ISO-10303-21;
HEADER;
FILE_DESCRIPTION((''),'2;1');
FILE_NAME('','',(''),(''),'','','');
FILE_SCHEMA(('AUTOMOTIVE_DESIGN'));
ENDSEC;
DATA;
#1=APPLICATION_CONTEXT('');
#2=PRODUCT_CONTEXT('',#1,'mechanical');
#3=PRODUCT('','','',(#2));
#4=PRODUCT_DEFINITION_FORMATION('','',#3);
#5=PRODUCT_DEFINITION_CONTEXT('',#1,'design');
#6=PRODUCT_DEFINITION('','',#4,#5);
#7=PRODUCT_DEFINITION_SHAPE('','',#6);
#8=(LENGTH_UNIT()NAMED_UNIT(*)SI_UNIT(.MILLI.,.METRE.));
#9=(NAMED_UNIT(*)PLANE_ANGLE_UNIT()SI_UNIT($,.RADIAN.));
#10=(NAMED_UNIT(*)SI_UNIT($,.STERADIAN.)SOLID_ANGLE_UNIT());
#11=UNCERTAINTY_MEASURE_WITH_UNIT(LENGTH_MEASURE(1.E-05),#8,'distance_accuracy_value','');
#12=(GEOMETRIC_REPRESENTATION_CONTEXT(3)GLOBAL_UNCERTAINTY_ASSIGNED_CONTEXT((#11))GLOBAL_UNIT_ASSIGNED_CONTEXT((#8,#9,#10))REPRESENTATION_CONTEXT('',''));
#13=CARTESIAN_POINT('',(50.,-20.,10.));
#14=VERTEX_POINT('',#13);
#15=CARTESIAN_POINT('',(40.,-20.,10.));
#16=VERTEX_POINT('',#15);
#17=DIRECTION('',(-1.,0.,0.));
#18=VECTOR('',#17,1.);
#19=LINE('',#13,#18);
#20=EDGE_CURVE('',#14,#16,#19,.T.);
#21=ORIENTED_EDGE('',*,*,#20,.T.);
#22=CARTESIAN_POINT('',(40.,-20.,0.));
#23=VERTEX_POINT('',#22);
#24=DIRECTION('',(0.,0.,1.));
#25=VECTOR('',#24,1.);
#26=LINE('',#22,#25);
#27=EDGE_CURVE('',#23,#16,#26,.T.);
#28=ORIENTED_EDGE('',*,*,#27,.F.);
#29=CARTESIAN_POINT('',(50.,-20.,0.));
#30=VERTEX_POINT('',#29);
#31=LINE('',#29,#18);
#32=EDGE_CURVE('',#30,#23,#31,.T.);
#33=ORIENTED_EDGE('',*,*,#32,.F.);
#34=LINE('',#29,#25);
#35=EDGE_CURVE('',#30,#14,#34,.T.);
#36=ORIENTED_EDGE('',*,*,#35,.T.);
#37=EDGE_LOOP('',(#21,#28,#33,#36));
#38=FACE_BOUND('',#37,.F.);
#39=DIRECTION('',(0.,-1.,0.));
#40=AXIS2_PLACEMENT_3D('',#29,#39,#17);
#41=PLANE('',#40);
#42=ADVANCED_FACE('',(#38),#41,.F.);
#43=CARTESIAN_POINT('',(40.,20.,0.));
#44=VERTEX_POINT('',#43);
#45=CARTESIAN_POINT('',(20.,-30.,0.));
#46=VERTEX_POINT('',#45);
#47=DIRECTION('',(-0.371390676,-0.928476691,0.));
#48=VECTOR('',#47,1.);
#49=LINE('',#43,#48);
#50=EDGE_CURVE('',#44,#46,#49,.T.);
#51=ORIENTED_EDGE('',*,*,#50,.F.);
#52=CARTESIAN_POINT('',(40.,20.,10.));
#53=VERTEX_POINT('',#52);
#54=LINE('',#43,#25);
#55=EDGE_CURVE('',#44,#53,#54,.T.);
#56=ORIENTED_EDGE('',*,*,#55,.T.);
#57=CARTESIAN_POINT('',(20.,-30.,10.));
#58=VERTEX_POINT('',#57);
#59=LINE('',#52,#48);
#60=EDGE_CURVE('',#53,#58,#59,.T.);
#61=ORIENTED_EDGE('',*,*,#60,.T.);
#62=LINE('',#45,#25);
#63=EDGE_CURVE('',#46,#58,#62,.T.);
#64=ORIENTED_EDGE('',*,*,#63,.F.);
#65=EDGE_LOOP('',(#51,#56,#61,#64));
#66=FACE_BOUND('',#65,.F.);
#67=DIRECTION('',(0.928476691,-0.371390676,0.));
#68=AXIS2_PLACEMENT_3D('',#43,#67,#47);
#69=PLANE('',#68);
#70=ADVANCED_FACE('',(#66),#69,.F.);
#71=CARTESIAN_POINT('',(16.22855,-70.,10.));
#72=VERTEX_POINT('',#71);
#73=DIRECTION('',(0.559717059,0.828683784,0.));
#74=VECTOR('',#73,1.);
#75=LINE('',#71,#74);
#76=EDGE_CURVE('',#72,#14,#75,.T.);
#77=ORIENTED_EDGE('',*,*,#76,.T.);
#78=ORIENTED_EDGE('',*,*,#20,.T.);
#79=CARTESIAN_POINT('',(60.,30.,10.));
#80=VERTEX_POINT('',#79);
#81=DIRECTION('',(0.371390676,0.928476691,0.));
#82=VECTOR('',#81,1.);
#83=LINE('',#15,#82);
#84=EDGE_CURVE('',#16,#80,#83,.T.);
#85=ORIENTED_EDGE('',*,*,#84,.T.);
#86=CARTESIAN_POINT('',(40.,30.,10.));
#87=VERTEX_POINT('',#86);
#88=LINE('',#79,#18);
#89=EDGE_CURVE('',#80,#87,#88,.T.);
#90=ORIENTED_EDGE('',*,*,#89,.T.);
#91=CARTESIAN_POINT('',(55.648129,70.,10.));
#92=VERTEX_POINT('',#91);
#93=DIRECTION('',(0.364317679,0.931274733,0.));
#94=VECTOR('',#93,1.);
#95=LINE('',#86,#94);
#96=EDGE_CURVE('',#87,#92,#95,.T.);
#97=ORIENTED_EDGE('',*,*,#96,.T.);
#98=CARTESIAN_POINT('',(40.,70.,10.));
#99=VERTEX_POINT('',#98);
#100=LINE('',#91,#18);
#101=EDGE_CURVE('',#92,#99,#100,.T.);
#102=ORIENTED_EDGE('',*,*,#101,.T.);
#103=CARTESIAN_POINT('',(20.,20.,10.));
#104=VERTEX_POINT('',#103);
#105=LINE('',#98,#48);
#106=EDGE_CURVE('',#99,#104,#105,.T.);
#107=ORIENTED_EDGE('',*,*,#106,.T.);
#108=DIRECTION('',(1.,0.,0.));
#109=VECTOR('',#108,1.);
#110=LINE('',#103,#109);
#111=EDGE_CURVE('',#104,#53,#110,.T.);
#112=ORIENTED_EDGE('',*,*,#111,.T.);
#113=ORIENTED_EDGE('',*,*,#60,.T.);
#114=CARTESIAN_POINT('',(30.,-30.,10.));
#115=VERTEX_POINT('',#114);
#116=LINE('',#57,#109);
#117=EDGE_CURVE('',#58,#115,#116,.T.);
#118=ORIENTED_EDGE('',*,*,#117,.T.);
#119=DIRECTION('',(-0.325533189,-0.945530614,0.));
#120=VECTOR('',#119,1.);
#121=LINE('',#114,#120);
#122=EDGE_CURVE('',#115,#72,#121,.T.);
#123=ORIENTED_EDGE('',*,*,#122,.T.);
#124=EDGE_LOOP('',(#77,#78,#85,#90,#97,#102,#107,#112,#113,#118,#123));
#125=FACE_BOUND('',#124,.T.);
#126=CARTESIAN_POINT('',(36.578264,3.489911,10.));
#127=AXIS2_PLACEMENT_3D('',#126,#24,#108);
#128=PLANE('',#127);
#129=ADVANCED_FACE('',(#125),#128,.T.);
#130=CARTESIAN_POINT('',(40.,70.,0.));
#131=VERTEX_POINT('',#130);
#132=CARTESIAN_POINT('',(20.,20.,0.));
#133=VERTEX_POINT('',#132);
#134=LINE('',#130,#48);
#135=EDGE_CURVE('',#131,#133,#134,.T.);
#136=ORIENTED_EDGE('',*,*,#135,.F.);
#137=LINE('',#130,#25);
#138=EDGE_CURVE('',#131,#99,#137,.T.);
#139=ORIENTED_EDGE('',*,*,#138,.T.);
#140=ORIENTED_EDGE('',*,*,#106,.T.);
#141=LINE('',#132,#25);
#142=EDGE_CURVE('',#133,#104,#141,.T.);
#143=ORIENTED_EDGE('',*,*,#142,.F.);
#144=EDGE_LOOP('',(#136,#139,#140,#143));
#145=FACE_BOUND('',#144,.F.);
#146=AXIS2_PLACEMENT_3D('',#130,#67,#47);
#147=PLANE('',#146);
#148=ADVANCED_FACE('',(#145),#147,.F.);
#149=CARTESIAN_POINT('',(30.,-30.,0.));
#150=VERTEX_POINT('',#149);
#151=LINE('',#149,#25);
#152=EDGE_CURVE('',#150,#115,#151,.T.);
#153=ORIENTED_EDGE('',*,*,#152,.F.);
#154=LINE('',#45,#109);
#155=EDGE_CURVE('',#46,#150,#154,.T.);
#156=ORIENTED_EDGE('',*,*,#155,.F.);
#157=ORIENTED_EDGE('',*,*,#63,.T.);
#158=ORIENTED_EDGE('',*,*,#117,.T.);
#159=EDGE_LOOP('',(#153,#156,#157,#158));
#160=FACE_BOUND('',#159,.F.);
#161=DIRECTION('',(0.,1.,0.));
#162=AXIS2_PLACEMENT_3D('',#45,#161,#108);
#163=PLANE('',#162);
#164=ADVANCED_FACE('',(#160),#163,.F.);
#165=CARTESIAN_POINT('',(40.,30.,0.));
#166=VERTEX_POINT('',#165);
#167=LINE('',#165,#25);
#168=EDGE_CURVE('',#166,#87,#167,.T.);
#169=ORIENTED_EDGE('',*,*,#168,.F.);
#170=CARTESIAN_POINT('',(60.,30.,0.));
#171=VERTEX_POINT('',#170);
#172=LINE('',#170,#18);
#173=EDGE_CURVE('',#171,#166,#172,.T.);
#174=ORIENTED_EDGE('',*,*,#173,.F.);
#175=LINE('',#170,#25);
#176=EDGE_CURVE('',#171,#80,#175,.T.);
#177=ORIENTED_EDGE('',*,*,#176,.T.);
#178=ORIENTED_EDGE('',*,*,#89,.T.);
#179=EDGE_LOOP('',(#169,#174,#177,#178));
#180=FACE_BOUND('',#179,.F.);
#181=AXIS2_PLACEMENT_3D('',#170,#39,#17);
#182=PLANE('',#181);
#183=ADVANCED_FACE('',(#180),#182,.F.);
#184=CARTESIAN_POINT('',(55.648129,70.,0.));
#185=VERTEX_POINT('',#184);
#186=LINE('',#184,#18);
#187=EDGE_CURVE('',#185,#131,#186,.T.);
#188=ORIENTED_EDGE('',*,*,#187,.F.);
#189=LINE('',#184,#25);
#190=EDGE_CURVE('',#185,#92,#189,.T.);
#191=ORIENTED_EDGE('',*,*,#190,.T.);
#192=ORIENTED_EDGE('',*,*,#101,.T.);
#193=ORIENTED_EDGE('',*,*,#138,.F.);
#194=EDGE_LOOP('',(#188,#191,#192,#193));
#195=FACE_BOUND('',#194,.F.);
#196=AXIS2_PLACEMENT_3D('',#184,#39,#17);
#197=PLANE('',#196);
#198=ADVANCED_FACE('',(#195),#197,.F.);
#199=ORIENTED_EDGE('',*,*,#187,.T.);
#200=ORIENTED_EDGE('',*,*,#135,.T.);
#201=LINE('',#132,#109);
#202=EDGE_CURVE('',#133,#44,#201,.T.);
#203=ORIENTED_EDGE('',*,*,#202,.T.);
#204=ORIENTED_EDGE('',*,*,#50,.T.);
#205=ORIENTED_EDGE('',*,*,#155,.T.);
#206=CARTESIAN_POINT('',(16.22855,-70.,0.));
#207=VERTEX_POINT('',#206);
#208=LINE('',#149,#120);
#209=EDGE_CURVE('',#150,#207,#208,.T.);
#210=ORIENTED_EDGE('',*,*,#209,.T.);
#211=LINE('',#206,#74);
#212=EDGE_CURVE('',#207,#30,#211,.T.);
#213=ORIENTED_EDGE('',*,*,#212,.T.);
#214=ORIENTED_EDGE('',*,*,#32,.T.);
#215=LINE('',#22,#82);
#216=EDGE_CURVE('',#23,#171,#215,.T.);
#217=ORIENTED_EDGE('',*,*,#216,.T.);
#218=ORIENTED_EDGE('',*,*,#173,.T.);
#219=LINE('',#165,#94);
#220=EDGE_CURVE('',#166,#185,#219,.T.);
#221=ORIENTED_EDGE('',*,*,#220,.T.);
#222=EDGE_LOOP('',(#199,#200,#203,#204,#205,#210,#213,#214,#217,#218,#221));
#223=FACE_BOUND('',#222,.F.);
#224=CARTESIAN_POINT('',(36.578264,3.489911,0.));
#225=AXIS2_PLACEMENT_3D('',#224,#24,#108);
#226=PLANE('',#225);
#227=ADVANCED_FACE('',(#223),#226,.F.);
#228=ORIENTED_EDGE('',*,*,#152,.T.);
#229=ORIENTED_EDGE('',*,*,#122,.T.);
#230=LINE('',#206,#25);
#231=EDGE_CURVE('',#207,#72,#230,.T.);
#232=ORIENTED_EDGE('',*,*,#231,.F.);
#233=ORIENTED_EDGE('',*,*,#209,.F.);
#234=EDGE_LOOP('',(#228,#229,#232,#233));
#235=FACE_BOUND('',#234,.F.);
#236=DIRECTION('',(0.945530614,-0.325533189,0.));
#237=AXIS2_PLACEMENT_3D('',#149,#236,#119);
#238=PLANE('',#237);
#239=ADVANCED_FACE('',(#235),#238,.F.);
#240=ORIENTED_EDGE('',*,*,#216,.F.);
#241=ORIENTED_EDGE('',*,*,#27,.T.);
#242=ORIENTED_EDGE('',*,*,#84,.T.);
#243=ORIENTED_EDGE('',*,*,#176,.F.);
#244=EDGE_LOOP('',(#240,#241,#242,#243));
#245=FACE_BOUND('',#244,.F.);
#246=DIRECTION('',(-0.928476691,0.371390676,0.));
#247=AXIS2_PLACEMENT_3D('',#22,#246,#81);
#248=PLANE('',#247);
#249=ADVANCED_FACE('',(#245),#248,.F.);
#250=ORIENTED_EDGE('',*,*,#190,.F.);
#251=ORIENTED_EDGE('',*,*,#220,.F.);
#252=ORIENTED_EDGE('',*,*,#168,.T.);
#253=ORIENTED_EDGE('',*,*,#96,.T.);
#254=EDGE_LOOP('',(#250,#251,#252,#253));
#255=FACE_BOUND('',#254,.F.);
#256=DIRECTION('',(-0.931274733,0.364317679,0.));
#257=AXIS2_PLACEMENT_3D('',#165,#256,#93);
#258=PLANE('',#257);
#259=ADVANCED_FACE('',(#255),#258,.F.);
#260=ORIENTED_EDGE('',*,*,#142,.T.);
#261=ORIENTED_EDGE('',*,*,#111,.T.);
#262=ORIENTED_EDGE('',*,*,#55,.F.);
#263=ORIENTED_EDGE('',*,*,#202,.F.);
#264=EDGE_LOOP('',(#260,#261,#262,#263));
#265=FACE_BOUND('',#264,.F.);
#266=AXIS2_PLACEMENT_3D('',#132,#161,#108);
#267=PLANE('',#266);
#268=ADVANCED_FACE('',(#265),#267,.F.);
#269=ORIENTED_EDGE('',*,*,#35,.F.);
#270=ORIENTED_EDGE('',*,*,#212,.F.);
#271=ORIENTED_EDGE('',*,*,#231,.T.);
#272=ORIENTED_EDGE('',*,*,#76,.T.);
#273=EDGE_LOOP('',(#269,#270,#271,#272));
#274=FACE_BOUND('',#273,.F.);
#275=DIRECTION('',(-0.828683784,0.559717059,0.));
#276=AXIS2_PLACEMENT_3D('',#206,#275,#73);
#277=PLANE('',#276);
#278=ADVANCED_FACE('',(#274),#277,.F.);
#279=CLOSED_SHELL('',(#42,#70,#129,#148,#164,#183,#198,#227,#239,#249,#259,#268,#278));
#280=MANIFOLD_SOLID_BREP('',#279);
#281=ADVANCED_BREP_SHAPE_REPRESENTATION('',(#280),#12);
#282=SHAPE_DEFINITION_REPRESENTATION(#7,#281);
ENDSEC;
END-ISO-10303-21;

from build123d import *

# Parameters (mm, degrees)
PAD_DEPTH = 10


with BuildPart() as part:
    # Sketch → Pad (new body)
    with BuildSketch(Plane.XY):
        Polygon((40, 70), (20, 20), (40, 20), (20, -30), (30, -30), (16.22855, -70), (50, -20), (40, -20), (60, 30), (40, 30), (55.648129, 70), align=None)
    extrude(amount=PAD_DEPTH)


solid = part.part
